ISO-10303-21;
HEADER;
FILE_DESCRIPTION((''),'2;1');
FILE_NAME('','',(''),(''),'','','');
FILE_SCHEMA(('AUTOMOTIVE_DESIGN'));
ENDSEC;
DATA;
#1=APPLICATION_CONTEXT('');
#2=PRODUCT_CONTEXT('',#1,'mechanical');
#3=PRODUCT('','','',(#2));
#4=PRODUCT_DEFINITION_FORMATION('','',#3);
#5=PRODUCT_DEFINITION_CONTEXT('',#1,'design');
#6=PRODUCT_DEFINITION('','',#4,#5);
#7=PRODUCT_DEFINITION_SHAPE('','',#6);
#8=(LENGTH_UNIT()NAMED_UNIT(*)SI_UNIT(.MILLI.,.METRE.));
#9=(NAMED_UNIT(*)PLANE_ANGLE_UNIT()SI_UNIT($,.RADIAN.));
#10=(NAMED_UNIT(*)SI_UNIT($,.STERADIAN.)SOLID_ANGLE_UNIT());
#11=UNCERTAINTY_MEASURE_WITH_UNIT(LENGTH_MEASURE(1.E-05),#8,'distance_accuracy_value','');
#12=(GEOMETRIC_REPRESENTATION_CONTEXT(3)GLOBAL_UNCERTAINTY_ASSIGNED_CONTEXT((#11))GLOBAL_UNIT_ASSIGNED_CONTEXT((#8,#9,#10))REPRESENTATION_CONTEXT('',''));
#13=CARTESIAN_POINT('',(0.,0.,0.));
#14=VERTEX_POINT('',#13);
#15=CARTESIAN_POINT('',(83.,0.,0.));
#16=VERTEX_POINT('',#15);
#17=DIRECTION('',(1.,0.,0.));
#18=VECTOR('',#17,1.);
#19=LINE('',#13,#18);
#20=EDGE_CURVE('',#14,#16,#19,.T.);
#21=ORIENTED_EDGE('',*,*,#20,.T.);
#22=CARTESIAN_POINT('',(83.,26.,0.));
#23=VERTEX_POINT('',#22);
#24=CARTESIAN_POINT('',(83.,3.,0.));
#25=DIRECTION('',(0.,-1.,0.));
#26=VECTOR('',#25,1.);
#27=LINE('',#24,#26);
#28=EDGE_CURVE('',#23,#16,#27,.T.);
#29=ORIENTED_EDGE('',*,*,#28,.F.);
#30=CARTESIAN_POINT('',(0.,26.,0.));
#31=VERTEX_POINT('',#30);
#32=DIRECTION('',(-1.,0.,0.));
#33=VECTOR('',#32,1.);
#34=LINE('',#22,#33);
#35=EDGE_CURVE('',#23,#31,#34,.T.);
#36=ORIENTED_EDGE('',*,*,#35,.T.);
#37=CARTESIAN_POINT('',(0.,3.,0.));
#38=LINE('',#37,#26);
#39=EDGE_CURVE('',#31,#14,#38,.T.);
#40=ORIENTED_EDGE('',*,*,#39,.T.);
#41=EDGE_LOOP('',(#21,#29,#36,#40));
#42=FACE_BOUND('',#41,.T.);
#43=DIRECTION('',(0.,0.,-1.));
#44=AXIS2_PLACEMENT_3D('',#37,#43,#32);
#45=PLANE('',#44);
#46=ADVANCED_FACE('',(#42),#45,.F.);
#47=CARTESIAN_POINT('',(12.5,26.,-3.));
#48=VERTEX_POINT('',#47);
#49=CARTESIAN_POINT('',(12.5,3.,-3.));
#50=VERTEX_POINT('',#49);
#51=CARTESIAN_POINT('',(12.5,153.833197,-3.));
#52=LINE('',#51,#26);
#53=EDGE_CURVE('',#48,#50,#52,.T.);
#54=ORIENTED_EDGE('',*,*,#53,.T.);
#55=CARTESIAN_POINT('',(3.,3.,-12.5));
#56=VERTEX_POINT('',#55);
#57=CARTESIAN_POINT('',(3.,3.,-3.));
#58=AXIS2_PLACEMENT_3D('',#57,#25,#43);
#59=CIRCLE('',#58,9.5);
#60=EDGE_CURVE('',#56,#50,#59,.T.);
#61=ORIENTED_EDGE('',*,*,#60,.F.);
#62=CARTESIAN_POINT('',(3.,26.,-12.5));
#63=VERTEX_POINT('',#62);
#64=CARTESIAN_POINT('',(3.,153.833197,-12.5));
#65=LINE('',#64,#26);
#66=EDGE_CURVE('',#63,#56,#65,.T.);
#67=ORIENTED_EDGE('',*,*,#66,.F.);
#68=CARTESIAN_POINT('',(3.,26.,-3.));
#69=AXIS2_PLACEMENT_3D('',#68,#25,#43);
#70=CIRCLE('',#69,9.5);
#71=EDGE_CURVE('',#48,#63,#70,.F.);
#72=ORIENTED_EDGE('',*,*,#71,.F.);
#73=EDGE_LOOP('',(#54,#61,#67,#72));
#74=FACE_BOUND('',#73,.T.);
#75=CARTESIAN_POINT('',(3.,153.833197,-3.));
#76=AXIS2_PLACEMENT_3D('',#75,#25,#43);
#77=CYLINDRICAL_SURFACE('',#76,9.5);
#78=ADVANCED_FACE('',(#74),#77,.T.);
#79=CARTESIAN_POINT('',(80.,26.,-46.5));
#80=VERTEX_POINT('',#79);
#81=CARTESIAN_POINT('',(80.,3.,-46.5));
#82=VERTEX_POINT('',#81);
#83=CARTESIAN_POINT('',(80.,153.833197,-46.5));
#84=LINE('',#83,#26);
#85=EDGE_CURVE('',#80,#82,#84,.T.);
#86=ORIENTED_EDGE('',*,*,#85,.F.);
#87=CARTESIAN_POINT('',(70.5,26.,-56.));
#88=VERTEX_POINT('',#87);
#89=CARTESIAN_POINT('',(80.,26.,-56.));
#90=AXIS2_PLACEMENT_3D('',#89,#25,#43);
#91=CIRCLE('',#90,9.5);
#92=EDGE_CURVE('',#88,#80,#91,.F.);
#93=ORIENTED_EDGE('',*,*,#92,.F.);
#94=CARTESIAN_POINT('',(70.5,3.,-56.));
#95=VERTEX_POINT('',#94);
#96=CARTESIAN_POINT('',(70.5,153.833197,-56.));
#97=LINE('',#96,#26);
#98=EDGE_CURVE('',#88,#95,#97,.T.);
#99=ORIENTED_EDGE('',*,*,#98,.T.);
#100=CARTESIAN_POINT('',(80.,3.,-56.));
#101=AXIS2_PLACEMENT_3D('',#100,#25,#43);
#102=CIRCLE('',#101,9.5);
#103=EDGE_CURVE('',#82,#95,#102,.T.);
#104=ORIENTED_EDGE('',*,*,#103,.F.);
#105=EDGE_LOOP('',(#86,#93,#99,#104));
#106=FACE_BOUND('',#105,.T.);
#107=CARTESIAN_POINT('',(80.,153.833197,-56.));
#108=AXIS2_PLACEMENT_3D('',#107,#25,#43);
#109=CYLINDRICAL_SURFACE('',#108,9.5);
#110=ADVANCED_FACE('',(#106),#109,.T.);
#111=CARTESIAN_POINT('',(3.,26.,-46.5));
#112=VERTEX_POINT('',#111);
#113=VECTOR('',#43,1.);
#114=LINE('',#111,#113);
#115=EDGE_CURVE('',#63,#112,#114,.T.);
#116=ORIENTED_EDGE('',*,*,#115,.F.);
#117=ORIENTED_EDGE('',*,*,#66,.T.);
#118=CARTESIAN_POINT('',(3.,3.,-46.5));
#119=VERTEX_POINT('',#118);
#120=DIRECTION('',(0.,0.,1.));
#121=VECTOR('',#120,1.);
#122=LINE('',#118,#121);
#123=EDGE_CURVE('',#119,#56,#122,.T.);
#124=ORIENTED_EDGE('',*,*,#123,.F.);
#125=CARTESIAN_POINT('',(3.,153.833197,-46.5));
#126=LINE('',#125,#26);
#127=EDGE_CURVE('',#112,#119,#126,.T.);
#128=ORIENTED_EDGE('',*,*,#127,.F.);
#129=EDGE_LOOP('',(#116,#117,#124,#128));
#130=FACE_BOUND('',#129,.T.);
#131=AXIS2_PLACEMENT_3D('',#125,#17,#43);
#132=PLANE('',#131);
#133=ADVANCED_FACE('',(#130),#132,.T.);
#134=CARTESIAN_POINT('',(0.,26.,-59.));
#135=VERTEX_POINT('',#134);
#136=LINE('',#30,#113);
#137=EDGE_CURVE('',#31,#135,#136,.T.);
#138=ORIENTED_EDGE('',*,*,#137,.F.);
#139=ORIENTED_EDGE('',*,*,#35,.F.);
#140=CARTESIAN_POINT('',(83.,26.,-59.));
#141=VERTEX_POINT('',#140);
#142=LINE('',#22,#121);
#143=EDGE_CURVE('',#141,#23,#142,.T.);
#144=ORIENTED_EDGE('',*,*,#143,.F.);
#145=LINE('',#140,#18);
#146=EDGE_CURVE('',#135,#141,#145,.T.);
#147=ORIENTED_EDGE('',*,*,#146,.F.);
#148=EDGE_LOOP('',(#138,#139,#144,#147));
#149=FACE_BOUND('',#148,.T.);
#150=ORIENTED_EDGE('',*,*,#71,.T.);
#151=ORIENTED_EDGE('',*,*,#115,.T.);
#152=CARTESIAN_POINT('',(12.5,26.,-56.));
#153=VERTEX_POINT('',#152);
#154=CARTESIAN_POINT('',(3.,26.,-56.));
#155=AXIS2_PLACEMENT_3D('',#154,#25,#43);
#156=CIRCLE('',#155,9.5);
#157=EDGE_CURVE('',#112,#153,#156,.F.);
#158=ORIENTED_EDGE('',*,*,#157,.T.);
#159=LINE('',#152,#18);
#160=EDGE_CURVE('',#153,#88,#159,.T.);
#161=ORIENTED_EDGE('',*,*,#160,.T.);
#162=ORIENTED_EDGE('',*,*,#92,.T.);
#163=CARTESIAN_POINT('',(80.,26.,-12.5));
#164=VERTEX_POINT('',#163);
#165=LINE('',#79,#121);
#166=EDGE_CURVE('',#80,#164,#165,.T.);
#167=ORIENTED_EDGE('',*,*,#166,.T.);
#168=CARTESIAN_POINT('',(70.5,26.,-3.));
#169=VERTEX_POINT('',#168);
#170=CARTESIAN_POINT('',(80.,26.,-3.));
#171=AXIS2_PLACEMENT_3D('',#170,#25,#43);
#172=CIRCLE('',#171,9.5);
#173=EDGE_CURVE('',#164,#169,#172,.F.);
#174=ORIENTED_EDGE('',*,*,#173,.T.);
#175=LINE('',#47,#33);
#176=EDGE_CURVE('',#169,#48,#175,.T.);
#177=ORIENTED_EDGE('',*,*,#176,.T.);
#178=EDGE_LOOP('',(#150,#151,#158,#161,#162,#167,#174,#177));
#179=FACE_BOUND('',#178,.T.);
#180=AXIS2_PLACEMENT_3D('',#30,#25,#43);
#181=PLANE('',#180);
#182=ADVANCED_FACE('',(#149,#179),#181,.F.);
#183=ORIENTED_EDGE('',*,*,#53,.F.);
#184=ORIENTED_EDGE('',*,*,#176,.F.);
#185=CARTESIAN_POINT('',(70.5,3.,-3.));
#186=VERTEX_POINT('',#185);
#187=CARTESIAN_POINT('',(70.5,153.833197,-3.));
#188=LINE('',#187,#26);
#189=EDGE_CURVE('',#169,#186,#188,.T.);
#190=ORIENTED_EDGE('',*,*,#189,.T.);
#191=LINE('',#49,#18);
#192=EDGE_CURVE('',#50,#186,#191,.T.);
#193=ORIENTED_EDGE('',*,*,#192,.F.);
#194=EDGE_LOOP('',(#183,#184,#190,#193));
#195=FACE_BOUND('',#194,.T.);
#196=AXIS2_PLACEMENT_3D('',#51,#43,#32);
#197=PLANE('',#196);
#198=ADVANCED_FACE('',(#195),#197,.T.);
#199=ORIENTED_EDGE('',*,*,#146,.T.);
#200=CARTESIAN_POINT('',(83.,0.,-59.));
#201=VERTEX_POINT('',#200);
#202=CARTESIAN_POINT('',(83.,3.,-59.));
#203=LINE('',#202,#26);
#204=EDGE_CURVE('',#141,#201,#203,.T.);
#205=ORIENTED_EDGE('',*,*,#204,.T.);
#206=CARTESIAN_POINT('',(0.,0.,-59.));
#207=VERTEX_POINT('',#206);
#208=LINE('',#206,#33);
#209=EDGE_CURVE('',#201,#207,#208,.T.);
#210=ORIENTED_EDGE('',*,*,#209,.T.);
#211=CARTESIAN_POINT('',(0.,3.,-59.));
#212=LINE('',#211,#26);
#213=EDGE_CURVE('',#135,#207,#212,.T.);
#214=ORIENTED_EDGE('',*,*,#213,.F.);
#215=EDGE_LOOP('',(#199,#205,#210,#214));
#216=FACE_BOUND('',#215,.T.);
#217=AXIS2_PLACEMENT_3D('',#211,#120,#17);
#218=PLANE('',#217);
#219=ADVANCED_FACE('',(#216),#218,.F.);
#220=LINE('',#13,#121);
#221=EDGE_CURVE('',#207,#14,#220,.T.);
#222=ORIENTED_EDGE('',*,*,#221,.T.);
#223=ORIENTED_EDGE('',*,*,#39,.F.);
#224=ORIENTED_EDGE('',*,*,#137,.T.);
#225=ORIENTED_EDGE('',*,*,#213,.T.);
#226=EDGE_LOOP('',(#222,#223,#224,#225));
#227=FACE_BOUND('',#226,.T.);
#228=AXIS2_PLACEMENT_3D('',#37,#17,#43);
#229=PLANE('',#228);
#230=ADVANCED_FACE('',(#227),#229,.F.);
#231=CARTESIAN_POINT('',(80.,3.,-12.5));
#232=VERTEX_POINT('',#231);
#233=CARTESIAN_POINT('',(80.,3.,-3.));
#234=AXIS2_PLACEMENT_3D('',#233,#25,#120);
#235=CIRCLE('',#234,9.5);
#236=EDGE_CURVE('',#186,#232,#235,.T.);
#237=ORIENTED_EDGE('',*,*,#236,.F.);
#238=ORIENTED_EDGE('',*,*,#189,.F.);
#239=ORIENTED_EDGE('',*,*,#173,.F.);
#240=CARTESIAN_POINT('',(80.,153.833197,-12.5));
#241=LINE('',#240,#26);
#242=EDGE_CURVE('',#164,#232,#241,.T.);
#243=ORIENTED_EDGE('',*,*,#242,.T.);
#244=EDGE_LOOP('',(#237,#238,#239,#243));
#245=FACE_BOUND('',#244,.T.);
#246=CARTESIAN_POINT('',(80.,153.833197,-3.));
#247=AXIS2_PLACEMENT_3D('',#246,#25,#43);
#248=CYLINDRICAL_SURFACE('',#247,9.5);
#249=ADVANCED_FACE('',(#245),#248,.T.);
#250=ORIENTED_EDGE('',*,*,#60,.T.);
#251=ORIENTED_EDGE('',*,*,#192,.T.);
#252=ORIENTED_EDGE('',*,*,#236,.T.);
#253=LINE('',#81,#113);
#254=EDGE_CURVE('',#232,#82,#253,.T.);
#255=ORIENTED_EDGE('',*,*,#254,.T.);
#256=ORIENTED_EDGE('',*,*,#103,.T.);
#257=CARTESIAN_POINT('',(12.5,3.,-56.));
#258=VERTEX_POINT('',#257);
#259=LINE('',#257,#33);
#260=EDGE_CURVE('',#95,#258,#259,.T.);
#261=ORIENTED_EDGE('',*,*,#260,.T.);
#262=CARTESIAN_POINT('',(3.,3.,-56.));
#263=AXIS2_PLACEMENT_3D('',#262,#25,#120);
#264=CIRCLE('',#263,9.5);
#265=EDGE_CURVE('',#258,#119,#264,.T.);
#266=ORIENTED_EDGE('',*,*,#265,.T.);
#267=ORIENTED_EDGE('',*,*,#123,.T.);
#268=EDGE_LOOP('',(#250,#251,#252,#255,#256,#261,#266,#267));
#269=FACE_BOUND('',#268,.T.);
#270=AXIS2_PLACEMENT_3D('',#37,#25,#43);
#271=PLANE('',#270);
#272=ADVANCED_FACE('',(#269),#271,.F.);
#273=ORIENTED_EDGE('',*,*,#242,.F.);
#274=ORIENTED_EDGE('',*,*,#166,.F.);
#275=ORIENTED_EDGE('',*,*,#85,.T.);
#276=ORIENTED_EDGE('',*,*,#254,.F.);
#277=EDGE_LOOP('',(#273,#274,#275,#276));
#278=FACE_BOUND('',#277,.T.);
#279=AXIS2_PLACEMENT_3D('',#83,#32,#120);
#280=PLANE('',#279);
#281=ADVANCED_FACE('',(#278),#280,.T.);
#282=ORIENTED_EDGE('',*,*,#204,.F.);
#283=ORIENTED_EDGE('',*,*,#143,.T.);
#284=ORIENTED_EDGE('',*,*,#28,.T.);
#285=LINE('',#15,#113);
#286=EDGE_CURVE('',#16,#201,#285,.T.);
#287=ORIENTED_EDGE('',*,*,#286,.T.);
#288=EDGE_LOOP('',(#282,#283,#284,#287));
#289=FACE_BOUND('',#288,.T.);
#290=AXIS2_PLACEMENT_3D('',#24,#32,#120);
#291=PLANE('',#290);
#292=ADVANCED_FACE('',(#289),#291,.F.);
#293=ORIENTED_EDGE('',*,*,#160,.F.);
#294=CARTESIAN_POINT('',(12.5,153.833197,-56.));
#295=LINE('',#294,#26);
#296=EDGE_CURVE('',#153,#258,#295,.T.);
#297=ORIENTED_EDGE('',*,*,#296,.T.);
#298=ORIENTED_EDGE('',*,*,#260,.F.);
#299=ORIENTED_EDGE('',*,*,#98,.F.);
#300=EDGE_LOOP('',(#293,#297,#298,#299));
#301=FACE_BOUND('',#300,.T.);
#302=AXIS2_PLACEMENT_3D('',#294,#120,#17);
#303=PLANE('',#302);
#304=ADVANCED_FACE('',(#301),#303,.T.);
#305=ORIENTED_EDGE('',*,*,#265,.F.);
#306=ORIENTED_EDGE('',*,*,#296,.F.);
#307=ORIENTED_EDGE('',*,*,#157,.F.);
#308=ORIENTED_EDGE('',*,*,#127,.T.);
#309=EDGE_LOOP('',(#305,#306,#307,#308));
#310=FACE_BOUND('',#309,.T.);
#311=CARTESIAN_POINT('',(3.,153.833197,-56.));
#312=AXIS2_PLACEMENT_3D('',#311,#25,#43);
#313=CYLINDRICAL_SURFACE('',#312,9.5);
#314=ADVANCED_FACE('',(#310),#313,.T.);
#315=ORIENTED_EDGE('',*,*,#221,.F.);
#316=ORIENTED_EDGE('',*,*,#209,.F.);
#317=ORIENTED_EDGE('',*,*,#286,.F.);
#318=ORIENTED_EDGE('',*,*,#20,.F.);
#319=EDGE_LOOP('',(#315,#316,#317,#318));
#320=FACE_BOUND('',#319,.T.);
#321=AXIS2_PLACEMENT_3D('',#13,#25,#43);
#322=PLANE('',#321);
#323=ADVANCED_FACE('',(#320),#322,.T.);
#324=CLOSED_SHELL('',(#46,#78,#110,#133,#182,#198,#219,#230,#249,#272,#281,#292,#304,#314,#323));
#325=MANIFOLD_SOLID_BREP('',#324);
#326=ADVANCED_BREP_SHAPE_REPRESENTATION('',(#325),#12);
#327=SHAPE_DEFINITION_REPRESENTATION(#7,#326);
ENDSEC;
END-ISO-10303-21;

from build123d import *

# Parameters (mm, degrees)
SKETCH1_W           = 83
SKETCH1_H           = 59
BOSS_EXTRUDE1_DEPTH = 3
SKETCH2_W           = 83
SKETCH2_H           = 59
BOSS_EXTRUDE2_DEPTH = 23


with BuildPart() as part:
    # Sketch1 → Boss-Extrude1 (new body)
    with BuildSketch(Plane(origin=(0, 0, 0), x_dir=(1, 0, 0), z_dir=(0, 1, 0))):
        with Locations((41.5, 29.5)):
            Rectangle(SKETCH1_W, SKETCH1_H)
    extrude(amount=BOSS_EXTRUDE1_DEPTH)

    # Sketch2 → Boss-Extrude2 (add)
    with BuildSketch(Plane(origin=(0, 3, 0), x_dir=(1, 0, 0), z_dir=(0, 1, 0))):
        with Locations((41.5, 29.5)):
            Rectangle(SKETCH2_W, SKETCH2_H)
        with BuildLine():
            Line((3, 46.5), (3, 12.5))
            ThreePointArc((3, 12.5), (9.717514421, 9.717514421), (12.5, 3))
            Line((12.5, 3), (70.5, 3))
            ThreePointArc((70.5, 3), (73.282485579, 9.717514421), (80, 12.5))
            Line((80, 12.5), (80, 46.5))
            ThreePointArc((80, 46.5), (73.282485579, 49.282485579), (70.5, 56))
            Line((70.5, 56), (12.5, 56))
            ThreePointArc((12.5, 56), (9.717514421, 49.282485579), (3, 46.5))
        make_face(mode=Mode.SUBTRACT)
    extrude(amount=BOSS_EXTRUDE2_DEPTH)


solid = part.part
